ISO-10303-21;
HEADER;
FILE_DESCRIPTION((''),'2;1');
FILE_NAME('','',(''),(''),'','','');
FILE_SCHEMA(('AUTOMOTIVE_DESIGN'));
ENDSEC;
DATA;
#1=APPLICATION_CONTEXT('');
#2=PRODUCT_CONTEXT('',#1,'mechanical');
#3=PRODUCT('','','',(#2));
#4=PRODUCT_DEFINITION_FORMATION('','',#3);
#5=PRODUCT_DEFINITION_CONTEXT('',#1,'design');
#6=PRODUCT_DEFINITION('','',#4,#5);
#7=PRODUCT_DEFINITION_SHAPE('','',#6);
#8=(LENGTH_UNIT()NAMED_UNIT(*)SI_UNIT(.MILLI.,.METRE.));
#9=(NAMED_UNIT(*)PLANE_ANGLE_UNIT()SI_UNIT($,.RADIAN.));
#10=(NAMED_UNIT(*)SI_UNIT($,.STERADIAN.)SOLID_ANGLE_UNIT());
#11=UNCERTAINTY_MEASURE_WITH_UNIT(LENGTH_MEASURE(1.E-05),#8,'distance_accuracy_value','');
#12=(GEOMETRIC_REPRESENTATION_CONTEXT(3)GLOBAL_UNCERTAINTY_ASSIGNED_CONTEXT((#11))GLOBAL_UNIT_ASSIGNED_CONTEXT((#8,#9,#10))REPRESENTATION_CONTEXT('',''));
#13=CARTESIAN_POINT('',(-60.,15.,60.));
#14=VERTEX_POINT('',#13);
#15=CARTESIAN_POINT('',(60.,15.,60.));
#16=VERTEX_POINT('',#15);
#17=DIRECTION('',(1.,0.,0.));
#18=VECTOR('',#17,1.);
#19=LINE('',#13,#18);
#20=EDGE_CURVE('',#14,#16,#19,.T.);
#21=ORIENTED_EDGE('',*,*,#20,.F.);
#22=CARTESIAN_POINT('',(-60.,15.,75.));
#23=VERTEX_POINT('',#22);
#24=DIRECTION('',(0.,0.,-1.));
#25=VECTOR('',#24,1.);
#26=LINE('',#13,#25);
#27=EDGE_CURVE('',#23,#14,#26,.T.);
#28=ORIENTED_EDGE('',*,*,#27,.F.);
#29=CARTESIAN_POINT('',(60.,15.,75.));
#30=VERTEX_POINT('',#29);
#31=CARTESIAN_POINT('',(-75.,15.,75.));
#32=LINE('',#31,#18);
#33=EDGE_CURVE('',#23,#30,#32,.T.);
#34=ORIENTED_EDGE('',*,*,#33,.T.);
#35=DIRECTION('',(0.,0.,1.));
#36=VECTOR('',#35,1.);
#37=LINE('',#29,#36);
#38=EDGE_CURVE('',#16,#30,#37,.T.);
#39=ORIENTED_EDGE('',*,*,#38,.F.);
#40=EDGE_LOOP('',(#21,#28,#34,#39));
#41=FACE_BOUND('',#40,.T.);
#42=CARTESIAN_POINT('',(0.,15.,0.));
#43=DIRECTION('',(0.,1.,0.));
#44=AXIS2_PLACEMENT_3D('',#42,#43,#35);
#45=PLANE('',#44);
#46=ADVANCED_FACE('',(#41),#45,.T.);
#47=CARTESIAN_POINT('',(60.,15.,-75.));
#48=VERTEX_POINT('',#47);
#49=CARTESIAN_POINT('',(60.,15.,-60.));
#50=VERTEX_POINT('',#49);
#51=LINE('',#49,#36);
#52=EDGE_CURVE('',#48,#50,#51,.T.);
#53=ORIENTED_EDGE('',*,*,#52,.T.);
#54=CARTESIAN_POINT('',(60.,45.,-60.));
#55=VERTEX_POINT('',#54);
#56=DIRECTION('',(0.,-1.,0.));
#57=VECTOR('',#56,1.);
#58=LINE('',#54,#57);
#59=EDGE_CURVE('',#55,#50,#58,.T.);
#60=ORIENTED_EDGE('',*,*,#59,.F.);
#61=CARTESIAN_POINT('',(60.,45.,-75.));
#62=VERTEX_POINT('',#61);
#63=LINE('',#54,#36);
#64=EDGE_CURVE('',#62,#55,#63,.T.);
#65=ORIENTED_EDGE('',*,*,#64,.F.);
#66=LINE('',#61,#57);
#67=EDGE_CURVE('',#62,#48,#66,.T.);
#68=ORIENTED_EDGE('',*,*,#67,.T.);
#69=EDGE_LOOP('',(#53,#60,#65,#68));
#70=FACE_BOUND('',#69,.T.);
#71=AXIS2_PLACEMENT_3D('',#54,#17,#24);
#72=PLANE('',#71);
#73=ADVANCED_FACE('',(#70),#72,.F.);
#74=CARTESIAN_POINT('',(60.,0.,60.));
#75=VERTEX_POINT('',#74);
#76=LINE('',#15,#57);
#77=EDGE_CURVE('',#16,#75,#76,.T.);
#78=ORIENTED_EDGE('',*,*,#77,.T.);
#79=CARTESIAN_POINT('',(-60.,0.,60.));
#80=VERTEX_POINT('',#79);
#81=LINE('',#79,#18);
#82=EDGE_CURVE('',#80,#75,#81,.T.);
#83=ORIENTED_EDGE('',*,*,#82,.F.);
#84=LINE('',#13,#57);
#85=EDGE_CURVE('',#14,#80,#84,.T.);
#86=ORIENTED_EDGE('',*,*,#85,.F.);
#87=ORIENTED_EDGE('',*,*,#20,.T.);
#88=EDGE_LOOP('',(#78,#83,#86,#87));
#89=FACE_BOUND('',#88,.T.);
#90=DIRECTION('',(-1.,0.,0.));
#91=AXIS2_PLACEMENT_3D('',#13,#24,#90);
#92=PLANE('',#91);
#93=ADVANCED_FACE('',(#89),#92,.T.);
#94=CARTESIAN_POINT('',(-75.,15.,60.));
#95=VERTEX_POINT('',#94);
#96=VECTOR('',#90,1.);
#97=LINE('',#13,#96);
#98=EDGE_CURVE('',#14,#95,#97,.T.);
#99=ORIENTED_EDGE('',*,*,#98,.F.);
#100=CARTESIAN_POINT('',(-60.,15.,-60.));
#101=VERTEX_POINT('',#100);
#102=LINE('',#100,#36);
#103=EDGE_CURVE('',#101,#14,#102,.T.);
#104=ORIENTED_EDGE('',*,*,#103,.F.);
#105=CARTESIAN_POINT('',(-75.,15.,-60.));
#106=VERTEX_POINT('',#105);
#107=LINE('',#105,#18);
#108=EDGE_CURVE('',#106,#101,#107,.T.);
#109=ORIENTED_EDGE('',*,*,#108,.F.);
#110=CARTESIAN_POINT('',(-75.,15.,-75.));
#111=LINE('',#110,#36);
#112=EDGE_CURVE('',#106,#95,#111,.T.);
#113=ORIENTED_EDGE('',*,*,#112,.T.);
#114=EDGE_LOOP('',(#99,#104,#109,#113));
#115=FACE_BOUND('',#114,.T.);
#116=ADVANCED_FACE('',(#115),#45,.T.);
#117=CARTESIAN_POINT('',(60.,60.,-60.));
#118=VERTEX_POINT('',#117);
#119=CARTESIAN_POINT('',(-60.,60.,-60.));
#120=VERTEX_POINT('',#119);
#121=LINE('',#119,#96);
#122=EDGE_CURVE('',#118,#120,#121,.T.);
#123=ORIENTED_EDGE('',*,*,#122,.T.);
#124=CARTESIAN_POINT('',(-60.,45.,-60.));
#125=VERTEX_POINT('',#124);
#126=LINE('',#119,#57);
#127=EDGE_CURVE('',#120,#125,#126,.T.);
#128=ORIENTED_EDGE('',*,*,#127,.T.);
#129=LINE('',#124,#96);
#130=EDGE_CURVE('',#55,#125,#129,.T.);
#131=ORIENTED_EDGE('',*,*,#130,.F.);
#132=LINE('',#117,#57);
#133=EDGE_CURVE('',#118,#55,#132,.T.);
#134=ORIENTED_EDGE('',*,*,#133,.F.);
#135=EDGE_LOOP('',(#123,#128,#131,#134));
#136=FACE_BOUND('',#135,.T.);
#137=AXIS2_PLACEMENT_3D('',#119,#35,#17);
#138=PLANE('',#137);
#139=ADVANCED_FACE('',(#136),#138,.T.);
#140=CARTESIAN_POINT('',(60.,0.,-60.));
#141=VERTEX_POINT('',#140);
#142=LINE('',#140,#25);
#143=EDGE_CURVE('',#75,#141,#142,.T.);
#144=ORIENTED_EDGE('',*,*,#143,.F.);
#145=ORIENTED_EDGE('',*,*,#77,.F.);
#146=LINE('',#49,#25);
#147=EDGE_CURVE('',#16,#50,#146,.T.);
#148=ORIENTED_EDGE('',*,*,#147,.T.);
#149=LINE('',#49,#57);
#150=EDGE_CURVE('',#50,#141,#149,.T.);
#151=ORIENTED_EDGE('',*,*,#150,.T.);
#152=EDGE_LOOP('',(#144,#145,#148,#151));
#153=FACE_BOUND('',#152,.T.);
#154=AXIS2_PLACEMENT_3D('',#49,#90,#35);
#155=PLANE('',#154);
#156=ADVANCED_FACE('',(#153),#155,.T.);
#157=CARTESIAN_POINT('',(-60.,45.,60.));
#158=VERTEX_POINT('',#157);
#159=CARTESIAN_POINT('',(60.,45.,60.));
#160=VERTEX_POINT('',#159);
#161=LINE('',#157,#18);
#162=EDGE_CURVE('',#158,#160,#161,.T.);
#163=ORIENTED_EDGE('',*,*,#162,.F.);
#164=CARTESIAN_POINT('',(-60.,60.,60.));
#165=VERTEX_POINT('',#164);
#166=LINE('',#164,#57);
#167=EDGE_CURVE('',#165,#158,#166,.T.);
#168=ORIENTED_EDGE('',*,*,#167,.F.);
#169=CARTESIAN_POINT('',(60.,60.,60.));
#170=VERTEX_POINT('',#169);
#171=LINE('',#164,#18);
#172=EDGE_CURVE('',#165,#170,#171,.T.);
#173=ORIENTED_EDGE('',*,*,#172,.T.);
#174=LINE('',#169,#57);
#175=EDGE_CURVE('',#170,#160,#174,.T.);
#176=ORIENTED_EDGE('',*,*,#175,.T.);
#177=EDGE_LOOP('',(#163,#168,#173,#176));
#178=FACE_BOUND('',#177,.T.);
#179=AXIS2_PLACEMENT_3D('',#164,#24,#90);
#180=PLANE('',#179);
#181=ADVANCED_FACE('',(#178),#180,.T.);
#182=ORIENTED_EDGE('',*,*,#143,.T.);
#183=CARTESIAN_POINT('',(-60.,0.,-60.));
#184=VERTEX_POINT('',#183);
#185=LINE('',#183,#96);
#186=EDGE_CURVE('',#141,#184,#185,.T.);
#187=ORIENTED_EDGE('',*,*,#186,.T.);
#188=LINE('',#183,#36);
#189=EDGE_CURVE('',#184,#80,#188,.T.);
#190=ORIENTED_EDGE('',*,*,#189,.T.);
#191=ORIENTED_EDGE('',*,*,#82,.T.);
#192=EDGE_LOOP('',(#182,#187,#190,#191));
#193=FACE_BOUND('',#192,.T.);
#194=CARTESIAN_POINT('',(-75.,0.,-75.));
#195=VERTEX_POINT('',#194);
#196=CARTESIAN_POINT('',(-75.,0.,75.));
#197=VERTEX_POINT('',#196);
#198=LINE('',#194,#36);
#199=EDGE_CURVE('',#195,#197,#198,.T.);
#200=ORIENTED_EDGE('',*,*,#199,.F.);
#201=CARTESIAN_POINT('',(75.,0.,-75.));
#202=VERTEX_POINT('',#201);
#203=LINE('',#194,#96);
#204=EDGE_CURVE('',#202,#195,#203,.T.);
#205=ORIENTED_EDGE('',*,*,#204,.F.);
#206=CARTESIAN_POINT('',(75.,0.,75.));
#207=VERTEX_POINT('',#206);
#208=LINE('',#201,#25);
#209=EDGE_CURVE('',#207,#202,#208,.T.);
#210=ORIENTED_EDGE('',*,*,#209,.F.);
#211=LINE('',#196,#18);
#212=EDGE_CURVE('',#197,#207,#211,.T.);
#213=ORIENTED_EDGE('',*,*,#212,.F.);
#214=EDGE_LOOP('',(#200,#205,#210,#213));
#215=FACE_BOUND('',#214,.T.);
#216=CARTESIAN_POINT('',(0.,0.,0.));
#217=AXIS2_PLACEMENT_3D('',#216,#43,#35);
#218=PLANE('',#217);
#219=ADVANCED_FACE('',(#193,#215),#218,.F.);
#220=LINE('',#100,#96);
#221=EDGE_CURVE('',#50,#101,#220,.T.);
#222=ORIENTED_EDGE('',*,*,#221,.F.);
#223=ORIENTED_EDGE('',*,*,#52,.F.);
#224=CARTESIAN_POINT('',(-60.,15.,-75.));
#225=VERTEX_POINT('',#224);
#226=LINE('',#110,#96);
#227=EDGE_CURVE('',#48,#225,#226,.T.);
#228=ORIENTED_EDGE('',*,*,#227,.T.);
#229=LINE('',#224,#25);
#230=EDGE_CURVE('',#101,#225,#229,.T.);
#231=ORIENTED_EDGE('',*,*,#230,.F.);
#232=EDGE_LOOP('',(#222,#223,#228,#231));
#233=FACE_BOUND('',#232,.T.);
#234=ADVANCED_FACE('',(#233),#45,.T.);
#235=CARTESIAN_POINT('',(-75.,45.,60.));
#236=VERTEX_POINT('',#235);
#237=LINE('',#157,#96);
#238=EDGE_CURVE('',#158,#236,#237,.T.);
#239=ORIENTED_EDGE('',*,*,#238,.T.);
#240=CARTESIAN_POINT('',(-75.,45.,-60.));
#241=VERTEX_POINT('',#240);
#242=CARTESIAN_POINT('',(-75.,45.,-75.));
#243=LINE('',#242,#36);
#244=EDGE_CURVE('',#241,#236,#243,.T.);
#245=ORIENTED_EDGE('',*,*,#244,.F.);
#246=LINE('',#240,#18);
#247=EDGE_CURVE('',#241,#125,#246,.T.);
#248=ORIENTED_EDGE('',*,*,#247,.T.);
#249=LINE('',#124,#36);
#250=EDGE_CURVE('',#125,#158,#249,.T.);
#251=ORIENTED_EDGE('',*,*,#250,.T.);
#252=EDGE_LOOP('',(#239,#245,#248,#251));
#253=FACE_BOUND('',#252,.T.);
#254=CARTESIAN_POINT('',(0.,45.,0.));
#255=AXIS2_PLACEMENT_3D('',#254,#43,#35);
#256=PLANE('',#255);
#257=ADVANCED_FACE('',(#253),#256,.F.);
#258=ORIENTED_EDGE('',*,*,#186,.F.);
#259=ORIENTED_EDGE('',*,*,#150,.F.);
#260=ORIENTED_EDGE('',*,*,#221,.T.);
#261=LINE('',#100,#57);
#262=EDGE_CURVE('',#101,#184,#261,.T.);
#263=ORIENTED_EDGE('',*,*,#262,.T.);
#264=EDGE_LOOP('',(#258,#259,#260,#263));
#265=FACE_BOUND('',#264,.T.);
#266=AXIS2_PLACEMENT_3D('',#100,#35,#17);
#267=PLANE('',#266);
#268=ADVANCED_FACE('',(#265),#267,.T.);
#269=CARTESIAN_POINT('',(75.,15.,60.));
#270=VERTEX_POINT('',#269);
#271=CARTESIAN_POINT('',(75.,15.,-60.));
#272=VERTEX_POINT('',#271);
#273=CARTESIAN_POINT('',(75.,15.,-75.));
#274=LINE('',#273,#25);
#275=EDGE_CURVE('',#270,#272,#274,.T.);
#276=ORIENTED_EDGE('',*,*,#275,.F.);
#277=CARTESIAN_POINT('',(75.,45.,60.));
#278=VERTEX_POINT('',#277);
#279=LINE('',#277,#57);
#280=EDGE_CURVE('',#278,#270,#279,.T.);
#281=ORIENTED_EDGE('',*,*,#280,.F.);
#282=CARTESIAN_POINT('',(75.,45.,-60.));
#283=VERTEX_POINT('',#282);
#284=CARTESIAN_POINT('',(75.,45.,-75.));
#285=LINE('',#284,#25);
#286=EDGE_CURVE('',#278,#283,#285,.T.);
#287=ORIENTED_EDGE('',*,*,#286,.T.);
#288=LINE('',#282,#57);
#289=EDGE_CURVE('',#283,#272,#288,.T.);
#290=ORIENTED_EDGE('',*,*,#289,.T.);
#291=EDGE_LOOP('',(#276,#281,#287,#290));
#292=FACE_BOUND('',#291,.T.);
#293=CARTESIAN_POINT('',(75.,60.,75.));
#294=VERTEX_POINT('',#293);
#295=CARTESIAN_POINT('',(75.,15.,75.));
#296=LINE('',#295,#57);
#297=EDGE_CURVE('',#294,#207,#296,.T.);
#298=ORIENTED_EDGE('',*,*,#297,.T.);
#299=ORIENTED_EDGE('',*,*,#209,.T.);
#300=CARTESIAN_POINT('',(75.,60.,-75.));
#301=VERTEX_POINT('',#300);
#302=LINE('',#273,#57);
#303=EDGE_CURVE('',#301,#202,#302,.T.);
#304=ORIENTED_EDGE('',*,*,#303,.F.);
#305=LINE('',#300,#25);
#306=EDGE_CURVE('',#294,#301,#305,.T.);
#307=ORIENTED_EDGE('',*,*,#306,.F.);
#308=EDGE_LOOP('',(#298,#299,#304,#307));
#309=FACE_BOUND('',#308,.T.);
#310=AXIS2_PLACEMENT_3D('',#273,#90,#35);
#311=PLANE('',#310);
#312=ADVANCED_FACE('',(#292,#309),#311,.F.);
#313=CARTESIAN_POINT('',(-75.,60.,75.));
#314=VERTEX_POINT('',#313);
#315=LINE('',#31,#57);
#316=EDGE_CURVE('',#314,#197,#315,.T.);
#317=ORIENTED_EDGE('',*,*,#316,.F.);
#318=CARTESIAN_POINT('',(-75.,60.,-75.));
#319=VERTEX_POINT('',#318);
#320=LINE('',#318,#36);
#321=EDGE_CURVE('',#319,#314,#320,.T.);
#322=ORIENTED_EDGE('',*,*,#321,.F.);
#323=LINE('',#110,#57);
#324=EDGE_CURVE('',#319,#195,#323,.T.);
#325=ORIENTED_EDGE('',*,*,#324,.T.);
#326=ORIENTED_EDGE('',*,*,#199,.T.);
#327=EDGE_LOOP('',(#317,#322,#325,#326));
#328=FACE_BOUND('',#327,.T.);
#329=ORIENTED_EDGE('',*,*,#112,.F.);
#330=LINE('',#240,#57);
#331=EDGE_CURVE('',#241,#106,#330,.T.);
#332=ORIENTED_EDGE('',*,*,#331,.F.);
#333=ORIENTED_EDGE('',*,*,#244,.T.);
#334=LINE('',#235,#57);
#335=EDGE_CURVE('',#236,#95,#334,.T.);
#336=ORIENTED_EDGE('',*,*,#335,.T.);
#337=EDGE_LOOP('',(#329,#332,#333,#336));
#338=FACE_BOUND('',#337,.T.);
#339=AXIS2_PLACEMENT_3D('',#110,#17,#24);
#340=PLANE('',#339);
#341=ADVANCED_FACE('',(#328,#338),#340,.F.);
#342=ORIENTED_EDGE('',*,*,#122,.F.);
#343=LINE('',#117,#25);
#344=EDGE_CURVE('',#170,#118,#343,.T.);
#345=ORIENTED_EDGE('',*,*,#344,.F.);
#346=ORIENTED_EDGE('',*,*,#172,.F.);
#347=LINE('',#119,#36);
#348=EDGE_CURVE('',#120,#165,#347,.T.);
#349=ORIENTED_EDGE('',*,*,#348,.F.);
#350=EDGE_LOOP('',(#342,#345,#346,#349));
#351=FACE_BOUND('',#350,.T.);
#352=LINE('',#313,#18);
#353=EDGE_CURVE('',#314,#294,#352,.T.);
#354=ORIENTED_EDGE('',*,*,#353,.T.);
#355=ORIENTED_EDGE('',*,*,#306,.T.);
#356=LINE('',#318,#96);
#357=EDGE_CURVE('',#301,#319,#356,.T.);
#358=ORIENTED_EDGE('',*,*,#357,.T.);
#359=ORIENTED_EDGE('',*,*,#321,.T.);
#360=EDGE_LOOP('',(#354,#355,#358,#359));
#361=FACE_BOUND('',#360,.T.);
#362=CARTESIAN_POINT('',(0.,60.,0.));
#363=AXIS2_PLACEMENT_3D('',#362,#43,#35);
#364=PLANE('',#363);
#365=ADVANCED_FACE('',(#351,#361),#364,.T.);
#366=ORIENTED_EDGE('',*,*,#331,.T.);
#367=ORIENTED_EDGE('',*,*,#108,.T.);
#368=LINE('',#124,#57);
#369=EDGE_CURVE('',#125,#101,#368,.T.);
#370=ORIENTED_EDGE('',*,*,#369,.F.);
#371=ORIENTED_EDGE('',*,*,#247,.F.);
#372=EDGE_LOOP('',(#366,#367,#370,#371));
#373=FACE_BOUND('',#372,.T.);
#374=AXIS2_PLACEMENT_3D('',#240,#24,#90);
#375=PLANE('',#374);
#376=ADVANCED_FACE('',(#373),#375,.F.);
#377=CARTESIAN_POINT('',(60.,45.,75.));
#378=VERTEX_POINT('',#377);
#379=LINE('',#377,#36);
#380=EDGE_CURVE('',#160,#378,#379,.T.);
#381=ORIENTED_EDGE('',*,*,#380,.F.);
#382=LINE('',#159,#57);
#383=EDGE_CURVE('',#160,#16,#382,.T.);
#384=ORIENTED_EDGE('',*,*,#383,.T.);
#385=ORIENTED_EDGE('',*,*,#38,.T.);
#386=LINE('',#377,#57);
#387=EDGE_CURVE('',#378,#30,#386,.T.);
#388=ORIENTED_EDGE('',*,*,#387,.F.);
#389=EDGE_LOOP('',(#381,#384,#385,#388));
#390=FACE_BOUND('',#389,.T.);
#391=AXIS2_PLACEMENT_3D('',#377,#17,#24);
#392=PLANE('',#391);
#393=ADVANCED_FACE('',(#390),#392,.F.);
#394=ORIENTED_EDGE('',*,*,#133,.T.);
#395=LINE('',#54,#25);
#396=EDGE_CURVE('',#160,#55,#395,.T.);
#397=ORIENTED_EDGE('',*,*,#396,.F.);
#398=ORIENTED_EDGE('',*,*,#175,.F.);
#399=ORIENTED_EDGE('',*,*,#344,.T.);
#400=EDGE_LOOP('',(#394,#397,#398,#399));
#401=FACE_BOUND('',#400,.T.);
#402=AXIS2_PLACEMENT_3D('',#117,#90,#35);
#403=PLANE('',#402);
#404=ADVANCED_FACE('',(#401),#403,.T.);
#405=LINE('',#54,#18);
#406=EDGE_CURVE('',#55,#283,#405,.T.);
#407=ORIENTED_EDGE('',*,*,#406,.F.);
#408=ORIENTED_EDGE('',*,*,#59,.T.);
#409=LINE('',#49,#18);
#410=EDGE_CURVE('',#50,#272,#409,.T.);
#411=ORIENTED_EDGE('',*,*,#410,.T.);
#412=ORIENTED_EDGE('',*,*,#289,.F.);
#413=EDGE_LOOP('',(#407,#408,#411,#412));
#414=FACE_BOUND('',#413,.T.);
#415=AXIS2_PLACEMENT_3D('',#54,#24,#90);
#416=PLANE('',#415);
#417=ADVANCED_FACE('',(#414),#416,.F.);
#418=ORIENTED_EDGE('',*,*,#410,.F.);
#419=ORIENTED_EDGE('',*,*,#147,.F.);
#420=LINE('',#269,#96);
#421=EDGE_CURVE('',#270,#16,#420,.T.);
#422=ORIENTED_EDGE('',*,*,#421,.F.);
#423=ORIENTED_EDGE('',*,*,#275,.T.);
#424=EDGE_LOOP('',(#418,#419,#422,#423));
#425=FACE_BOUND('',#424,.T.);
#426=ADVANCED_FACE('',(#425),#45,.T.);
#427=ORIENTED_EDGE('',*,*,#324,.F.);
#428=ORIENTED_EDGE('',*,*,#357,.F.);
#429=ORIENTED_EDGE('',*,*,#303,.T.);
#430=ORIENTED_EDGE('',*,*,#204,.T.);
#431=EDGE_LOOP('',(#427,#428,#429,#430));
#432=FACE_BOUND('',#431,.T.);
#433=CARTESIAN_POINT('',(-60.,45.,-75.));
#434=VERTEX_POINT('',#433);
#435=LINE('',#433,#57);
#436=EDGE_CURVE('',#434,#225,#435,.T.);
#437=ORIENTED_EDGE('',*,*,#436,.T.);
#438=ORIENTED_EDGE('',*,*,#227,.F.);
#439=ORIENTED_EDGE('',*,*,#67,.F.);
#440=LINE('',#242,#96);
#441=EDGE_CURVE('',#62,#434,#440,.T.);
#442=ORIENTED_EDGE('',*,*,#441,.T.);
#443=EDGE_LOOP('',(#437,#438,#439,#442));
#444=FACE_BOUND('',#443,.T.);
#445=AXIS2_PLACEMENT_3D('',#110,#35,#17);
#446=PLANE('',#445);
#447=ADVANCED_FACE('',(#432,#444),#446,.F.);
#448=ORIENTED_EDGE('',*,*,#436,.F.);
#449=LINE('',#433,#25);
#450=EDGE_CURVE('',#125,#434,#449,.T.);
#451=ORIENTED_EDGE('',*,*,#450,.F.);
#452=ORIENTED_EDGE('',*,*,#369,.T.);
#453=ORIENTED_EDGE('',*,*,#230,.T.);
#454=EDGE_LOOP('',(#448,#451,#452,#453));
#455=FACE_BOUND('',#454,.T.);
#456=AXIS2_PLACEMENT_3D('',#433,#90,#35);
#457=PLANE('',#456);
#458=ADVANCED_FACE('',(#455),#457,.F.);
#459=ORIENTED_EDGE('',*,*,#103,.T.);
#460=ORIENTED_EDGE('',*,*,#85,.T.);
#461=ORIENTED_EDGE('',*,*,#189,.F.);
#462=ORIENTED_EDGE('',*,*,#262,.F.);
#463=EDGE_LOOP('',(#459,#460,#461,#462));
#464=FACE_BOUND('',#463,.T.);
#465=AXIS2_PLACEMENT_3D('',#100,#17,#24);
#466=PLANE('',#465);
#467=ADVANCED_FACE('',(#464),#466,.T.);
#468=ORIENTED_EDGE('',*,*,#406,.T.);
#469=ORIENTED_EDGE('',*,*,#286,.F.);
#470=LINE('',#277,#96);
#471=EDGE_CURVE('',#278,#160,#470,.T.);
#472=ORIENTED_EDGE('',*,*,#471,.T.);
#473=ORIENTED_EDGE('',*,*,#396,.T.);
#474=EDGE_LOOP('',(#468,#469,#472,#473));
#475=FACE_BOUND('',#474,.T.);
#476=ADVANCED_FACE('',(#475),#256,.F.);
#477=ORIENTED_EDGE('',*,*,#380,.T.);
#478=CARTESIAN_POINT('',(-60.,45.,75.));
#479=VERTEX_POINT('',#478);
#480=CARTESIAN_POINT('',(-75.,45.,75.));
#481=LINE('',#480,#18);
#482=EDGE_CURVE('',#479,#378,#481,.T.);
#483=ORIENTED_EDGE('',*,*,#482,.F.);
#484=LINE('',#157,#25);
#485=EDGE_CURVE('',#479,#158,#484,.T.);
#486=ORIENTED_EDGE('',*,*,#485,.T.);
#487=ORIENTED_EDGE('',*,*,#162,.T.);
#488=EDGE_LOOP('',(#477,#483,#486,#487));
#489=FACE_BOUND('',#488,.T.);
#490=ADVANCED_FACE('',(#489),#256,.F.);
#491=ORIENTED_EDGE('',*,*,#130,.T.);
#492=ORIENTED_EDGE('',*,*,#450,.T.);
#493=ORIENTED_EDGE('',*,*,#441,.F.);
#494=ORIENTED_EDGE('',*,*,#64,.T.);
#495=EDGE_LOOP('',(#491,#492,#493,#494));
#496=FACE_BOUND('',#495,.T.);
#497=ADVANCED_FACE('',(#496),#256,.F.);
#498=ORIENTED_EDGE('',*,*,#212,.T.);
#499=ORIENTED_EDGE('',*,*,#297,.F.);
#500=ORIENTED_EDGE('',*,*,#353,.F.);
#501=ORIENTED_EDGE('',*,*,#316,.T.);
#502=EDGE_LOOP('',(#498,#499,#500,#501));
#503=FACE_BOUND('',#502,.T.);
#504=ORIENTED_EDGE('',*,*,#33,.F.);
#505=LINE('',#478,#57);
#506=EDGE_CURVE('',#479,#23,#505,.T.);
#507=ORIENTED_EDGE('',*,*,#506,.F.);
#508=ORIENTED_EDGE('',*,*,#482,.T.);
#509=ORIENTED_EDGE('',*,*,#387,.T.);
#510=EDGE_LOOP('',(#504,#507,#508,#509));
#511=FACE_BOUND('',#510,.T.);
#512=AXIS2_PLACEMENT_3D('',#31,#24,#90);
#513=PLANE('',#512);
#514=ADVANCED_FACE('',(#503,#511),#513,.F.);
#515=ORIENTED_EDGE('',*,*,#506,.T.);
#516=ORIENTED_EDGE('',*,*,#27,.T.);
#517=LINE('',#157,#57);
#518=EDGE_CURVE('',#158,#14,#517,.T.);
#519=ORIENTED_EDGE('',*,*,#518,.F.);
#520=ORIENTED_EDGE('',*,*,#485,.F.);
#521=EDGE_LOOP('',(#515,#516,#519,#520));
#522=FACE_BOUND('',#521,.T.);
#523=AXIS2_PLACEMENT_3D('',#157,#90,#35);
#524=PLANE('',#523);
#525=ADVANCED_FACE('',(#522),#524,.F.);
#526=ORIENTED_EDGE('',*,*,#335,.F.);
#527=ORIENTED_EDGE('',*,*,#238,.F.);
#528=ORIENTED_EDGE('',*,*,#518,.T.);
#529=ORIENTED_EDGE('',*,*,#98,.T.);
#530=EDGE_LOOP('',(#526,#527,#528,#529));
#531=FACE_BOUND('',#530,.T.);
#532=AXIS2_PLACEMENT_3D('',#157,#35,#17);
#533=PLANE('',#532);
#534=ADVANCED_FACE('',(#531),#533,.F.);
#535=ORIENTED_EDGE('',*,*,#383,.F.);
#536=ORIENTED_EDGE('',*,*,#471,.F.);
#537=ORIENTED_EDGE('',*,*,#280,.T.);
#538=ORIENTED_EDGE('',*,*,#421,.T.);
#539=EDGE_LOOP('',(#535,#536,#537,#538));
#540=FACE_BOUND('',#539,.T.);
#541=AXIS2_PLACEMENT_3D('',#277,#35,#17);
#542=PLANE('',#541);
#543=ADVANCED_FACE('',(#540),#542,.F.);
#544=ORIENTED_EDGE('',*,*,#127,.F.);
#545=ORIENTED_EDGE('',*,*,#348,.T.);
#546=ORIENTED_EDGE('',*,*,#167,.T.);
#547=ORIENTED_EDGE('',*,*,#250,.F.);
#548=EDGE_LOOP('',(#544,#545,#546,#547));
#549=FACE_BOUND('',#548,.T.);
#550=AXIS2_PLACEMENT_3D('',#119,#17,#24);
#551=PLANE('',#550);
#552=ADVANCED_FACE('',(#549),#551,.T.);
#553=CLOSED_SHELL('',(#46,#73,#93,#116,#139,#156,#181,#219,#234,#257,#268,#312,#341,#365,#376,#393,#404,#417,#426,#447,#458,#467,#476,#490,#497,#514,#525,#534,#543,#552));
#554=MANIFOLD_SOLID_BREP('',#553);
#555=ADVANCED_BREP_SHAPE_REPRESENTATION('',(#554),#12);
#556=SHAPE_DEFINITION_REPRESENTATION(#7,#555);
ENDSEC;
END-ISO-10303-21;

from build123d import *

# Parameters (mm, degrees)
SKETCH1_W           = 150
SKETCH1_H           = 150
SKETCH1_W_2         = 120
SKETCH1_H_2         = 120
BOSS_EXTRUDE1_DEPTH = 15
SKETCH2_W           = 15
SKETCH2_H           = 15
BOSS_EXTRUDE2_DEPTH = 30
SKETCH3_W           = 150
SKETCH3_H           = 150
SKETCH3_W_2         = 120
SKETCH3_H_2         = 120
BOSS_EXTRUDE3_DEPTH = 15


with BuildPart() as part:
    # Sketch1 → Boss-Extrude1 (new body)
    with BuildSketch(Plane(origin=(0, 0, 0), x_dir=(1, 0, 0), z_dir=(0, 1, 0))):
        Rectangle(SKETCH1_W, SKETCH1_H)
        Rectangle(SKETCH1_W_2, SKETCH1_H_2, mode=Mode.SUBTRACT)
    extrude(amount=BOSS_EXTRUDE1_DEPTH)

    # Sketch2 → Boss-Extrude2 (add)
    with BuildSketch(Plane(origin=(0, 15, 0), x_dir=(1, 0, 0), z_dir=(0, 1, 0))):
        with Locations((-67.5, 67.5)):
            Rectangle(SKETCH2_W, SKETCH2_H)
        with Locations((67.5, 67.5)):
            Rectangle(SKETCH2_W, SKETCH2_H)
        with Locations((67.5, -67.5)):
            Rectangle(SKETCH2_W, SKETCH2_H)
        with Locations((-67.5, -67.5)):
            Rectangle(SKETCH2_W, SKETCH2_H)
    extrude(amount=BOSS_EXTRUDE2_DEPTH)

    # Sketch3 → Boss-Extrude3 (add)
    with BuildSketch(Plane(origin=(0, 45, 0), x_dir=(1, 0, 0), z_dir=(0, 1, 0))):
        Rectangle(SKETCH3_W, SKETCH3_H)
        Rectangle(SKETCH3_W_2, SKETCH3_H_2, mode=Mode.SUBTRACT)
    extrude(amount=BOSS_EXTRUDE3_DEPTH)


solid = part.part
